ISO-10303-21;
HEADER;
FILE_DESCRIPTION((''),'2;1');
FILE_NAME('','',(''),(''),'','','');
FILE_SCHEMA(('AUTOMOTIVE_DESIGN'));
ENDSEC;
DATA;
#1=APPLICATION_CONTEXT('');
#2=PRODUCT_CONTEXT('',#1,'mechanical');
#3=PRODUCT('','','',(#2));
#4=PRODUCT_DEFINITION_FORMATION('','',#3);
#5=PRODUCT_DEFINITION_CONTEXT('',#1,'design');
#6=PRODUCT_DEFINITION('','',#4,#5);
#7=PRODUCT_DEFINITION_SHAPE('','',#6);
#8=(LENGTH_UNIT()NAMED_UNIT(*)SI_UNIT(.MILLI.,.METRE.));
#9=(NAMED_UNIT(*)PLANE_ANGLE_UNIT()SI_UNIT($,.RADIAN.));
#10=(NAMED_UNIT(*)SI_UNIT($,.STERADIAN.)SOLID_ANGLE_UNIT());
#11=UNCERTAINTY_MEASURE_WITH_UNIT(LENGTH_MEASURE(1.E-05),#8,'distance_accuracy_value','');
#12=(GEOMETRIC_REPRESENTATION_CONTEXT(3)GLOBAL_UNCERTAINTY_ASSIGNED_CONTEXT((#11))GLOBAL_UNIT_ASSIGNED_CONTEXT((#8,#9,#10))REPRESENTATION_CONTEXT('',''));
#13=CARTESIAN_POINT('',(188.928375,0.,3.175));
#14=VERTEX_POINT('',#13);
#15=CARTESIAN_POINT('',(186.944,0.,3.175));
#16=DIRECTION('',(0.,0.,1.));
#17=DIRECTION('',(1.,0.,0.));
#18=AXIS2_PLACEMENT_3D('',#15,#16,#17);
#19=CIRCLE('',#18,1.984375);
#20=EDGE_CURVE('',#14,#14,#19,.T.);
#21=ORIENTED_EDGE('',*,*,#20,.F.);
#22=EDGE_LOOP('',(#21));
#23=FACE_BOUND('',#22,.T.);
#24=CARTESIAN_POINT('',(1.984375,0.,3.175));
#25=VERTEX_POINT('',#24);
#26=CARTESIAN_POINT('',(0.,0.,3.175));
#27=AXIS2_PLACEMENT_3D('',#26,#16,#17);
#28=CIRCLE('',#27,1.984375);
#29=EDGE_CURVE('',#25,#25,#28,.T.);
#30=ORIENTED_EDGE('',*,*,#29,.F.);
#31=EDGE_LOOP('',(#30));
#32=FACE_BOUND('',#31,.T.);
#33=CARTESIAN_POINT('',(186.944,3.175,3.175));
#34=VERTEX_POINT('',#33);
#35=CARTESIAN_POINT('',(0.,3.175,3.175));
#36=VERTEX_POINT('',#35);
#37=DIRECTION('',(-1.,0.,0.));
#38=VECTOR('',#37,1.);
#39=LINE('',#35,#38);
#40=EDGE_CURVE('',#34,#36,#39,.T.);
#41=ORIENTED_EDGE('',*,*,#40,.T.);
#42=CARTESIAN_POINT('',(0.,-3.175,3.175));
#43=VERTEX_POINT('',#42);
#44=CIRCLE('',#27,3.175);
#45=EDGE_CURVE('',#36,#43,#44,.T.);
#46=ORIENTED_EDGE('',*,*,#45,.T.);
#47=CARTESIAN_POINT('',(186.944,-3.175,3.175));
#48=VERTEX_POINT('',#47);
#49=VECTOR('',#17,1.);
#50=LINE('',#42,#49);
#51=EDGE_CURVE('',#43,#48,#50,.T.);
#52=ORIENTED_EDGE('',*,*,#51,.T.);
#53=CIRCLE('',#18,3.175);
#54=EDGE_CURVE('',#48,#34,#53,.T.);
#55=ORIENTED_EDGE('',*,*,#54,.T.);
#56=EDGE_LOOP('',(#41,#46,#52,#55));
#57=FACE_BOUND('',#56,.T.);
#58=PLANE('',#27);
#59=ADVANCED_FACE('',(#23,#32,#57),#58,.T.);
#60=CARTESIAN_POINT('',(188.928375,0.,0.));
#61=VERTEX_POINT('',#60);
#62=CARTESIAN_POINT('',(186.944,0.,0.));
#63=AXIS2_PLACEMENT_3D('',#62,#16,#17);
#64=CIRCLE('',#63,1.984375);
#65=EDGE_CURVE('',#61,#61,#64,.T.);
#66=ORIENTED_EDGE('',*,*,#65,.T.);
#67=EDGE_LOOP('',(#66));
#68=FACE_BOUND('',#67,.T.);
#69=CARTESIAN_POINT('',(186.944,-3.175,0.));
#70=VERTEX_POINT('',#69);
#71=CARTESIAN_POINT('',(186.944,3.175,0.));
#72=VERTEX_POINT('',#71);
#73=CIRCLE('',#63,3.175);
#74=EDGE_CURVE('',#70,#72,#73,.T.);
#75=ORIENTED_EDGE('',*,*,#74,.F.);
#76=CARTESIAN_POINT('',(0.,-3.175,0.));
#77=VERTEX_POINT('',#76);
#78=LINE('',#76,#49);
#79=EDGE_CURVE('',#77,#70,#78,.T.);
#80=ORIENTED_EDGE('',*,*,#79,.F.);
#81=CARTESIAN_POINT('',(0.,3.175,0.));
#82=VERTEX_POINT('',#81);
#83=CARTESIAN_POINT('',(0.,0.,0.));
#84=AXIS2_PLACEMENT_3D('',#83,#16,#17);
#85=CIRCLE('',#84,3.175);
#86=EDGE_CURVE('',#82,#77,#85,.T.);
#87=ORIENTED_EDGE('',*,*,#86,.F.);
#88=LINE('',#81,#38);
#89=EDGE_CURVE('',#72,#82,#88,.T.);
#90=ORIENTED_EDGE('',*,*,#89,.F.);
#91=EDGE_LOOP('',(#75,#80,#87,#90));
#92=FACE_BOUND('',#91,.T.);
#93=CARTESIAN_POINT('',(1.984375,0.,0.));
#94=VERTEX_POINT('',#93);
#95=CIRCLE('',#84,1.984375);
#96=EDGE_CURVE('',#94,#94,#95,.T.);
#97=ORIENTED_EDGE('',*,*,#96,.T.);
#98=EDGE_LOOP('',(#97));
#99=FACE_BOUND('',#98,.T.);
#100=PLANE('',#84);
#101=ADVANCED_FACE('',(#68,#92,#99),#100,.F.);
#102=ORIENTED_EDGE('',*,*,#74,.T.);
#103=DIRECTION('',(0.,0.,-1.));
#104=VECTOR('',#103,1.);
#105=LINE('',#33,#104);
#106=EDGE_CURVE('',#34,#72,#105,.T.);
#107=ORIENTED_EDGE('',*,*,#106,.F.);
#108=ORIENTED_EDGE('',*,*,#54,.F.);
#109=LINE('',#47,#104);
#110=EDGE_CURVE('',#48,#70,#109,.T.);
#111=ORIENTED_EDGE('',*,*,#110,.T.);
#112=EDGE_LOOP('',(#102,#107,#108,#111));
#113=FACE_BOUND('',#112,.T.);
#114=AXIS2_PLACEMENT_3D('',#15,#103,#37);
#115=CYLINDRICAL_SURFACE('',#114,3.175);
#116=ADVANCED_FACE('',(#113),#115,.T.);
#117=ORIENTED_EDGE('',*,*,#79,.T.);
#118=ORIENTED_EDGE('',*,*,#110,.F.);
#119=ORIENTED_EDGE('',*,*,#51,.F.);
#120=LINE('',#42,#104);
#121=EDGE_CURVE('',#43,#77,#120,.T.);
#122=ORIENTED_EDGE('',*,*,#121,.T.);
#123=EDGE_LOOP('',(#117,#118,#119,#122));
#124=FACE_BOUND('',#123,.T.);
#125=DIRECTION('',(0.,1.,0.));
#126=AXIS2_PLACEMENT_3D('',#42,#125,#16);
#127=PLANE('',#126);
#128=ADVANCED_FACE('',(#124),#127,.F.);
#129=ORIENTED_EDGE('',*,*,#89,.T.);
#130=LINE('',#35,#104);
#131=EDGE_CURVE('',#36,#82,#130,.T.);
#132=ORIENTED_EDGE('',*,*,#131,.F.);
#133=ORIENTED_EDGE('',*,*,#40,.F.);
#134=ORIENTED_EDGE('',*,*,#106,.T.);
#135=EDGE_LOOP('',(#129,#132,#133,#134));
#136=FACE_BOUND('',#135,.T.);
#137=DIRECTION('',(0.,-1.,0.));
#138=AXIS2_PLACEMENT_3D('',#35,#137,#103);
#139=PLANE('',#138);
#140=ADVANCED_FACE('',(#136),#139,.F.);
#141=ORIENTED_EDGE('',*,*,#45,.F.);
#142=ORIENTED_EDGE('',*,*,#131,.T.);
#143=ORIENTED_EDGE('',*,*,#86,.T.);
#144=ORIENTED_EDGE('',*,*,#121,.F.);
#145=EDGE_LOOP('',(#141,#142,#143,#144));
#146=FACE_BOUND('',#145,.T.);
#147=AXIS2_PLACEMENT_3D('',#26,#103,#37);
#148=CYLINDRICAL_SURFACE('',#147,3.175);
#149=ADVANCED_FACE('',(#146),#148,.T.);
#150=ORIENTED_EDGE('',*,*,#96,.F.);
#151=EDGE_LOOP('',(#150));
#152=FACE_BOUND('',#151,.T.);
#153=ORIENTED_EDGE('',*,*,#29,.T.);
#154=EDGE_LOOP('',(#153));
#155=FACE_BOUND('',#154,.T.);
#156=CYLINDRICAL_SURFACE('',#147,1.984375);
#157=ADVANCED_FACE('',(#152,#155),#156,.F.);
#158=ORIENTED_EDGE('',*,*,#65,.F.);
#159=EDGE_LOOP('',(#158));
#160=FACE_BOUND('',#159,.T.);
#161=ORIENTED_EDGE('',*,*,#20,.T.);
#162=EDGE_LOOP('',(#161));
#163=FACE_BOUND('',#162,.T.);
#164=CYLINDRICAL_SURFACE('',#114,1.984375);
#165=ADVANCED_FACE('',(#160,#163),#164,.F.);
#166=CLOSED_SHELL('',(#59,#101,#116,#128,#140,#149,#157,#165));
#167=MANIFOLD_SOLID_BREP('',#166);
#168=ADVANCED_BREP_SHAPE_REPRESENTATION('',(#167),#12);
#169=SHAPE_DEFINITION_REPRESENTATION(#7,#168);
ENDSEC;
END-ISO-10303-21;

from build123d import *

# Parameters (mm, degrees)
SKETCH1_R           = 1.984375
BOSS_EXTRUDE1_DEPTH = 3.175


with BuildPart() as part:
    # Sketch1 → Boss-Extrude1 (new body)
    with BuildSketch(Plane.XY):
        with BuildLine():
            Line((0, -3.175), (186.944, -3.175))
            ThreePointArc((186.944, -3.175), (190.119, 0), (186.944, 3.175))
            Line((186.944, 3.175), (0, 3.175))
            ThreePointArc((0, 3.175), (-3.175, 0), (0, -3.175))
        make_face()
        Circle(SKETCH1_R, mode=Mode.SUBTRACT)
        with Locations((186.944, 0)):
            Circle(SKETCH1_R, mode=Mode.SUBTRACT)
    extrude(amount=BOSS_EXTRUDE1_DEPTH)


solid = part.part
